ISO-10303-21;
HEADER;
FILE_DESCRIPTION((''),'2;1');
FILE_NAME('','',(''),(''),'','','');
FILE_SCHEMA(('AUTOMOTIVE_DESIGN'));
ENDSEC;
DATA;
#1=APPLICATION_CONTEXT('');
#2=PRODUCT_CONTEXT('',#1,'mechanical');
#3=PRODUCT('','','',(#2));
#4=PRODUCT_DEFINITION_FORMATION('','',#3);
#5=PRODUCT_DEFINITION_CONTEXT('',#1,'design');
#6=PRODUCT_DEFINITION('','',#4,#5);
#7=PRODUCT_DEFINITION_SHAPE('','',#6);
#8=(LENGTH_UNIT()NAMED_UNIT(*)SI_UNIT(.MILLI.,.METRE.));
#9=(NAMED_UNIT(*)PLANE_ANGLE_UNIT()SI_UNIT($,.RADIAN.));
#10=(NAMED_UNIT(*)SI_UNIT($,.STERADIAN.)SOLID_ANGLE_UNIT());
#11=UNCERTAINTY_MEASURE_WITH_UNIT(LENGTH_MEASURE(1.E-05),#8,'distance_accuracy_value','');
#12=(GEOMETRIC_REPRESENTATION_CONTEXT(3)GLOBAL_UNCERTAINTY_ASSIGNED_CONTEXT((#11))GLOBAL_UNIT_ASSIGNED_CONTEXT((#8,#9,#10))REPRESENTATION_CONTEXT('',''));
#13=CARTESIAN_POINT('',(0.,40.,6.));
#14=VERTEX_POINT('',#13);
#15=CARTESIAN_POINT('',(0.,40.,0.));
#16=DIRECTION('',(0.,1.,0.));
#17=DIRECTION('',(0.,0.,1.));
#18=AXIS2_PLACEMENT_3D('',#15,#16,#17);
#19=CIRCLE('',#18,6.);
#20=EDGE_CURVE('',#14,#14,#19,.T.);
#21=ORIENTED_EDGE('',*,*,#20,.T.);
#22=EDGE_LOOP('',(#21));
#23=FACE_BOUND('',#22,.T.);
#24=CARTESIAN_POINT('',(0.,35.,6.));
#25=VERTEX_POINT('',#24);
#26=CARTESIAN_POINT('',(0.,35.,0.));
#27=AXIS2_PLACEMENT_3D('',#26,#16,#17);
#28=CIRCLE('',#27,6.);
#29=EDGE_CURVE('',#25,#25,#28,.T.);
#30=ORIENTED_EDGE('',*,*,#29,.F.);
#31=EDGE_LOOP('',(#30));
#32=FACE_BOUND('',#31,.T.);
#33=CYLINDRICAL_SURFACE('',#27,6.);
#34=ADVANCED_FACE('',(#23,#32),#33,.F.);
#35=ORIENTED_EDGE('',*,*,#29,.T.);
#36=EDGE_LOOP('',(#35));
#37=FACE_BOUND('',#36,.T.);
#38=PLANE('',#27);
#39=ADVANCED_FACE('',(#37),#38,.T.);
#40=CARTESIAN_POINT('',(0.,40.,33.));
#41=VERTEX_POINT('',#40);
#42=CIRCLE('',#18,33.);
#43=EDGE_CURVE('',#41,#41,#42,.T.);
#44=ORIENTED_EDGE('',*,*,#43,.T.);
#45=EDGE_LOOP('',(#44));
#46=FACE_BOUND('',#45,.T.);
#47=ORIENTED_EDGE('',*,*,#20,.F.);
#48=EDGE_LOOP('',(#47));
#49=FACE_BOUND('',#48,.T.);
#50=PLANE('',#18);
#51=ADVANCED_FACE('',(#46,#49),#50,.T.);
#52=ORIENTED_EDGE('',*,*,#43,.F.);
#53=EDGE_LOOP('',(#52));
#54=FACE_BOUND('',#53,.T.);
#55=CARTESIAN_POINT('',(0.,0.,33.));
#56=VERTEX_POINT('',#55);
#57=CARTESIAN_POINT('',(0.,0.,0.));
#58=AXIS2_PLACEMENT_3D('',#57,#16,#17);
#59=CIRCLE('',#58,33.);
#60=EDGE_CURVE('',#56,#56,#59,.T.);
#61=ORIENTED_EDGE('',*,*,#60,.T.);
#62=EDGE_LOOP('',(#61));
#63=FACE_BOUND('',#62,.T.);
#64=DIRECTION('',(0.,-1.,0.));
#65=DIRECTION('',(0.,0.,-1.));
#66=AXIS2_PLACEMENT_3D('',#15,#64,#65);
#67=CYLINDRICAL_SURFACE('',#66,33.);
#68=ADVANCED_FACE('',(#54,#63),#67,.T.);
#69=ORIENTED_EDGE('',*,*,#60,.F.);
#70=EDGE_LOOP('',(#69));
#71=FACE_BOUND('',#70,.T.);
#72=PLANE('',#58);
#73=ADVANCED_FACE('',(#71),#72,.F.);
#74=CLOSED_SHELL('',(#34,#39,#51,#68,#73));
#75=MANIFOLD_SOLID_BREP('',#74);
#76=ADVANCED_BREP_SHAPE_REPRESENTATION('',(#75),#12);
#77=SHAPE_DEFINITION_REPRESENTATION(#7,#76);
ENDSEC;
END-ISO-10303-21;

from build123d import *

# Parameters (mm, degrees)
SKETCH_1_R          = 33
EXTRUDE_1_DEPTH     = 40
SKETCH_2_R          = 6
CUT_EXTRUDE_1_DEPTH = 5


with BuildPart() as part:
    # 草图1 → 凸台-拉伸1 (new body)
    with BuildSketch(Plane(origin=(0, 0, 0), x_dir=(1, 0, 0), z_dir=(0, 1, 0))):
        with Locations(Location((0, 0, 0), (0, 0, 270))):
            Circle(SKETCH_1_R)
    extrude(amount=EXTRUDE_1_DEPTH)

    # 草图2 → 切除-拉伸1 (cut)
    with BuildSketch(Plane(origin=(0, 40, 0), x_dir=(1, 0, 0), z_dir=(0, 1, 0))):
        with Locations(Location((0, 0, 0), (0, 0, 270))):
            Circle(SKETCH_2_R)
    extrude(amount=-CUT_EXTRUDE_1_DEPTH, mode=Mode.SUBTRACT)


solid = part.part
